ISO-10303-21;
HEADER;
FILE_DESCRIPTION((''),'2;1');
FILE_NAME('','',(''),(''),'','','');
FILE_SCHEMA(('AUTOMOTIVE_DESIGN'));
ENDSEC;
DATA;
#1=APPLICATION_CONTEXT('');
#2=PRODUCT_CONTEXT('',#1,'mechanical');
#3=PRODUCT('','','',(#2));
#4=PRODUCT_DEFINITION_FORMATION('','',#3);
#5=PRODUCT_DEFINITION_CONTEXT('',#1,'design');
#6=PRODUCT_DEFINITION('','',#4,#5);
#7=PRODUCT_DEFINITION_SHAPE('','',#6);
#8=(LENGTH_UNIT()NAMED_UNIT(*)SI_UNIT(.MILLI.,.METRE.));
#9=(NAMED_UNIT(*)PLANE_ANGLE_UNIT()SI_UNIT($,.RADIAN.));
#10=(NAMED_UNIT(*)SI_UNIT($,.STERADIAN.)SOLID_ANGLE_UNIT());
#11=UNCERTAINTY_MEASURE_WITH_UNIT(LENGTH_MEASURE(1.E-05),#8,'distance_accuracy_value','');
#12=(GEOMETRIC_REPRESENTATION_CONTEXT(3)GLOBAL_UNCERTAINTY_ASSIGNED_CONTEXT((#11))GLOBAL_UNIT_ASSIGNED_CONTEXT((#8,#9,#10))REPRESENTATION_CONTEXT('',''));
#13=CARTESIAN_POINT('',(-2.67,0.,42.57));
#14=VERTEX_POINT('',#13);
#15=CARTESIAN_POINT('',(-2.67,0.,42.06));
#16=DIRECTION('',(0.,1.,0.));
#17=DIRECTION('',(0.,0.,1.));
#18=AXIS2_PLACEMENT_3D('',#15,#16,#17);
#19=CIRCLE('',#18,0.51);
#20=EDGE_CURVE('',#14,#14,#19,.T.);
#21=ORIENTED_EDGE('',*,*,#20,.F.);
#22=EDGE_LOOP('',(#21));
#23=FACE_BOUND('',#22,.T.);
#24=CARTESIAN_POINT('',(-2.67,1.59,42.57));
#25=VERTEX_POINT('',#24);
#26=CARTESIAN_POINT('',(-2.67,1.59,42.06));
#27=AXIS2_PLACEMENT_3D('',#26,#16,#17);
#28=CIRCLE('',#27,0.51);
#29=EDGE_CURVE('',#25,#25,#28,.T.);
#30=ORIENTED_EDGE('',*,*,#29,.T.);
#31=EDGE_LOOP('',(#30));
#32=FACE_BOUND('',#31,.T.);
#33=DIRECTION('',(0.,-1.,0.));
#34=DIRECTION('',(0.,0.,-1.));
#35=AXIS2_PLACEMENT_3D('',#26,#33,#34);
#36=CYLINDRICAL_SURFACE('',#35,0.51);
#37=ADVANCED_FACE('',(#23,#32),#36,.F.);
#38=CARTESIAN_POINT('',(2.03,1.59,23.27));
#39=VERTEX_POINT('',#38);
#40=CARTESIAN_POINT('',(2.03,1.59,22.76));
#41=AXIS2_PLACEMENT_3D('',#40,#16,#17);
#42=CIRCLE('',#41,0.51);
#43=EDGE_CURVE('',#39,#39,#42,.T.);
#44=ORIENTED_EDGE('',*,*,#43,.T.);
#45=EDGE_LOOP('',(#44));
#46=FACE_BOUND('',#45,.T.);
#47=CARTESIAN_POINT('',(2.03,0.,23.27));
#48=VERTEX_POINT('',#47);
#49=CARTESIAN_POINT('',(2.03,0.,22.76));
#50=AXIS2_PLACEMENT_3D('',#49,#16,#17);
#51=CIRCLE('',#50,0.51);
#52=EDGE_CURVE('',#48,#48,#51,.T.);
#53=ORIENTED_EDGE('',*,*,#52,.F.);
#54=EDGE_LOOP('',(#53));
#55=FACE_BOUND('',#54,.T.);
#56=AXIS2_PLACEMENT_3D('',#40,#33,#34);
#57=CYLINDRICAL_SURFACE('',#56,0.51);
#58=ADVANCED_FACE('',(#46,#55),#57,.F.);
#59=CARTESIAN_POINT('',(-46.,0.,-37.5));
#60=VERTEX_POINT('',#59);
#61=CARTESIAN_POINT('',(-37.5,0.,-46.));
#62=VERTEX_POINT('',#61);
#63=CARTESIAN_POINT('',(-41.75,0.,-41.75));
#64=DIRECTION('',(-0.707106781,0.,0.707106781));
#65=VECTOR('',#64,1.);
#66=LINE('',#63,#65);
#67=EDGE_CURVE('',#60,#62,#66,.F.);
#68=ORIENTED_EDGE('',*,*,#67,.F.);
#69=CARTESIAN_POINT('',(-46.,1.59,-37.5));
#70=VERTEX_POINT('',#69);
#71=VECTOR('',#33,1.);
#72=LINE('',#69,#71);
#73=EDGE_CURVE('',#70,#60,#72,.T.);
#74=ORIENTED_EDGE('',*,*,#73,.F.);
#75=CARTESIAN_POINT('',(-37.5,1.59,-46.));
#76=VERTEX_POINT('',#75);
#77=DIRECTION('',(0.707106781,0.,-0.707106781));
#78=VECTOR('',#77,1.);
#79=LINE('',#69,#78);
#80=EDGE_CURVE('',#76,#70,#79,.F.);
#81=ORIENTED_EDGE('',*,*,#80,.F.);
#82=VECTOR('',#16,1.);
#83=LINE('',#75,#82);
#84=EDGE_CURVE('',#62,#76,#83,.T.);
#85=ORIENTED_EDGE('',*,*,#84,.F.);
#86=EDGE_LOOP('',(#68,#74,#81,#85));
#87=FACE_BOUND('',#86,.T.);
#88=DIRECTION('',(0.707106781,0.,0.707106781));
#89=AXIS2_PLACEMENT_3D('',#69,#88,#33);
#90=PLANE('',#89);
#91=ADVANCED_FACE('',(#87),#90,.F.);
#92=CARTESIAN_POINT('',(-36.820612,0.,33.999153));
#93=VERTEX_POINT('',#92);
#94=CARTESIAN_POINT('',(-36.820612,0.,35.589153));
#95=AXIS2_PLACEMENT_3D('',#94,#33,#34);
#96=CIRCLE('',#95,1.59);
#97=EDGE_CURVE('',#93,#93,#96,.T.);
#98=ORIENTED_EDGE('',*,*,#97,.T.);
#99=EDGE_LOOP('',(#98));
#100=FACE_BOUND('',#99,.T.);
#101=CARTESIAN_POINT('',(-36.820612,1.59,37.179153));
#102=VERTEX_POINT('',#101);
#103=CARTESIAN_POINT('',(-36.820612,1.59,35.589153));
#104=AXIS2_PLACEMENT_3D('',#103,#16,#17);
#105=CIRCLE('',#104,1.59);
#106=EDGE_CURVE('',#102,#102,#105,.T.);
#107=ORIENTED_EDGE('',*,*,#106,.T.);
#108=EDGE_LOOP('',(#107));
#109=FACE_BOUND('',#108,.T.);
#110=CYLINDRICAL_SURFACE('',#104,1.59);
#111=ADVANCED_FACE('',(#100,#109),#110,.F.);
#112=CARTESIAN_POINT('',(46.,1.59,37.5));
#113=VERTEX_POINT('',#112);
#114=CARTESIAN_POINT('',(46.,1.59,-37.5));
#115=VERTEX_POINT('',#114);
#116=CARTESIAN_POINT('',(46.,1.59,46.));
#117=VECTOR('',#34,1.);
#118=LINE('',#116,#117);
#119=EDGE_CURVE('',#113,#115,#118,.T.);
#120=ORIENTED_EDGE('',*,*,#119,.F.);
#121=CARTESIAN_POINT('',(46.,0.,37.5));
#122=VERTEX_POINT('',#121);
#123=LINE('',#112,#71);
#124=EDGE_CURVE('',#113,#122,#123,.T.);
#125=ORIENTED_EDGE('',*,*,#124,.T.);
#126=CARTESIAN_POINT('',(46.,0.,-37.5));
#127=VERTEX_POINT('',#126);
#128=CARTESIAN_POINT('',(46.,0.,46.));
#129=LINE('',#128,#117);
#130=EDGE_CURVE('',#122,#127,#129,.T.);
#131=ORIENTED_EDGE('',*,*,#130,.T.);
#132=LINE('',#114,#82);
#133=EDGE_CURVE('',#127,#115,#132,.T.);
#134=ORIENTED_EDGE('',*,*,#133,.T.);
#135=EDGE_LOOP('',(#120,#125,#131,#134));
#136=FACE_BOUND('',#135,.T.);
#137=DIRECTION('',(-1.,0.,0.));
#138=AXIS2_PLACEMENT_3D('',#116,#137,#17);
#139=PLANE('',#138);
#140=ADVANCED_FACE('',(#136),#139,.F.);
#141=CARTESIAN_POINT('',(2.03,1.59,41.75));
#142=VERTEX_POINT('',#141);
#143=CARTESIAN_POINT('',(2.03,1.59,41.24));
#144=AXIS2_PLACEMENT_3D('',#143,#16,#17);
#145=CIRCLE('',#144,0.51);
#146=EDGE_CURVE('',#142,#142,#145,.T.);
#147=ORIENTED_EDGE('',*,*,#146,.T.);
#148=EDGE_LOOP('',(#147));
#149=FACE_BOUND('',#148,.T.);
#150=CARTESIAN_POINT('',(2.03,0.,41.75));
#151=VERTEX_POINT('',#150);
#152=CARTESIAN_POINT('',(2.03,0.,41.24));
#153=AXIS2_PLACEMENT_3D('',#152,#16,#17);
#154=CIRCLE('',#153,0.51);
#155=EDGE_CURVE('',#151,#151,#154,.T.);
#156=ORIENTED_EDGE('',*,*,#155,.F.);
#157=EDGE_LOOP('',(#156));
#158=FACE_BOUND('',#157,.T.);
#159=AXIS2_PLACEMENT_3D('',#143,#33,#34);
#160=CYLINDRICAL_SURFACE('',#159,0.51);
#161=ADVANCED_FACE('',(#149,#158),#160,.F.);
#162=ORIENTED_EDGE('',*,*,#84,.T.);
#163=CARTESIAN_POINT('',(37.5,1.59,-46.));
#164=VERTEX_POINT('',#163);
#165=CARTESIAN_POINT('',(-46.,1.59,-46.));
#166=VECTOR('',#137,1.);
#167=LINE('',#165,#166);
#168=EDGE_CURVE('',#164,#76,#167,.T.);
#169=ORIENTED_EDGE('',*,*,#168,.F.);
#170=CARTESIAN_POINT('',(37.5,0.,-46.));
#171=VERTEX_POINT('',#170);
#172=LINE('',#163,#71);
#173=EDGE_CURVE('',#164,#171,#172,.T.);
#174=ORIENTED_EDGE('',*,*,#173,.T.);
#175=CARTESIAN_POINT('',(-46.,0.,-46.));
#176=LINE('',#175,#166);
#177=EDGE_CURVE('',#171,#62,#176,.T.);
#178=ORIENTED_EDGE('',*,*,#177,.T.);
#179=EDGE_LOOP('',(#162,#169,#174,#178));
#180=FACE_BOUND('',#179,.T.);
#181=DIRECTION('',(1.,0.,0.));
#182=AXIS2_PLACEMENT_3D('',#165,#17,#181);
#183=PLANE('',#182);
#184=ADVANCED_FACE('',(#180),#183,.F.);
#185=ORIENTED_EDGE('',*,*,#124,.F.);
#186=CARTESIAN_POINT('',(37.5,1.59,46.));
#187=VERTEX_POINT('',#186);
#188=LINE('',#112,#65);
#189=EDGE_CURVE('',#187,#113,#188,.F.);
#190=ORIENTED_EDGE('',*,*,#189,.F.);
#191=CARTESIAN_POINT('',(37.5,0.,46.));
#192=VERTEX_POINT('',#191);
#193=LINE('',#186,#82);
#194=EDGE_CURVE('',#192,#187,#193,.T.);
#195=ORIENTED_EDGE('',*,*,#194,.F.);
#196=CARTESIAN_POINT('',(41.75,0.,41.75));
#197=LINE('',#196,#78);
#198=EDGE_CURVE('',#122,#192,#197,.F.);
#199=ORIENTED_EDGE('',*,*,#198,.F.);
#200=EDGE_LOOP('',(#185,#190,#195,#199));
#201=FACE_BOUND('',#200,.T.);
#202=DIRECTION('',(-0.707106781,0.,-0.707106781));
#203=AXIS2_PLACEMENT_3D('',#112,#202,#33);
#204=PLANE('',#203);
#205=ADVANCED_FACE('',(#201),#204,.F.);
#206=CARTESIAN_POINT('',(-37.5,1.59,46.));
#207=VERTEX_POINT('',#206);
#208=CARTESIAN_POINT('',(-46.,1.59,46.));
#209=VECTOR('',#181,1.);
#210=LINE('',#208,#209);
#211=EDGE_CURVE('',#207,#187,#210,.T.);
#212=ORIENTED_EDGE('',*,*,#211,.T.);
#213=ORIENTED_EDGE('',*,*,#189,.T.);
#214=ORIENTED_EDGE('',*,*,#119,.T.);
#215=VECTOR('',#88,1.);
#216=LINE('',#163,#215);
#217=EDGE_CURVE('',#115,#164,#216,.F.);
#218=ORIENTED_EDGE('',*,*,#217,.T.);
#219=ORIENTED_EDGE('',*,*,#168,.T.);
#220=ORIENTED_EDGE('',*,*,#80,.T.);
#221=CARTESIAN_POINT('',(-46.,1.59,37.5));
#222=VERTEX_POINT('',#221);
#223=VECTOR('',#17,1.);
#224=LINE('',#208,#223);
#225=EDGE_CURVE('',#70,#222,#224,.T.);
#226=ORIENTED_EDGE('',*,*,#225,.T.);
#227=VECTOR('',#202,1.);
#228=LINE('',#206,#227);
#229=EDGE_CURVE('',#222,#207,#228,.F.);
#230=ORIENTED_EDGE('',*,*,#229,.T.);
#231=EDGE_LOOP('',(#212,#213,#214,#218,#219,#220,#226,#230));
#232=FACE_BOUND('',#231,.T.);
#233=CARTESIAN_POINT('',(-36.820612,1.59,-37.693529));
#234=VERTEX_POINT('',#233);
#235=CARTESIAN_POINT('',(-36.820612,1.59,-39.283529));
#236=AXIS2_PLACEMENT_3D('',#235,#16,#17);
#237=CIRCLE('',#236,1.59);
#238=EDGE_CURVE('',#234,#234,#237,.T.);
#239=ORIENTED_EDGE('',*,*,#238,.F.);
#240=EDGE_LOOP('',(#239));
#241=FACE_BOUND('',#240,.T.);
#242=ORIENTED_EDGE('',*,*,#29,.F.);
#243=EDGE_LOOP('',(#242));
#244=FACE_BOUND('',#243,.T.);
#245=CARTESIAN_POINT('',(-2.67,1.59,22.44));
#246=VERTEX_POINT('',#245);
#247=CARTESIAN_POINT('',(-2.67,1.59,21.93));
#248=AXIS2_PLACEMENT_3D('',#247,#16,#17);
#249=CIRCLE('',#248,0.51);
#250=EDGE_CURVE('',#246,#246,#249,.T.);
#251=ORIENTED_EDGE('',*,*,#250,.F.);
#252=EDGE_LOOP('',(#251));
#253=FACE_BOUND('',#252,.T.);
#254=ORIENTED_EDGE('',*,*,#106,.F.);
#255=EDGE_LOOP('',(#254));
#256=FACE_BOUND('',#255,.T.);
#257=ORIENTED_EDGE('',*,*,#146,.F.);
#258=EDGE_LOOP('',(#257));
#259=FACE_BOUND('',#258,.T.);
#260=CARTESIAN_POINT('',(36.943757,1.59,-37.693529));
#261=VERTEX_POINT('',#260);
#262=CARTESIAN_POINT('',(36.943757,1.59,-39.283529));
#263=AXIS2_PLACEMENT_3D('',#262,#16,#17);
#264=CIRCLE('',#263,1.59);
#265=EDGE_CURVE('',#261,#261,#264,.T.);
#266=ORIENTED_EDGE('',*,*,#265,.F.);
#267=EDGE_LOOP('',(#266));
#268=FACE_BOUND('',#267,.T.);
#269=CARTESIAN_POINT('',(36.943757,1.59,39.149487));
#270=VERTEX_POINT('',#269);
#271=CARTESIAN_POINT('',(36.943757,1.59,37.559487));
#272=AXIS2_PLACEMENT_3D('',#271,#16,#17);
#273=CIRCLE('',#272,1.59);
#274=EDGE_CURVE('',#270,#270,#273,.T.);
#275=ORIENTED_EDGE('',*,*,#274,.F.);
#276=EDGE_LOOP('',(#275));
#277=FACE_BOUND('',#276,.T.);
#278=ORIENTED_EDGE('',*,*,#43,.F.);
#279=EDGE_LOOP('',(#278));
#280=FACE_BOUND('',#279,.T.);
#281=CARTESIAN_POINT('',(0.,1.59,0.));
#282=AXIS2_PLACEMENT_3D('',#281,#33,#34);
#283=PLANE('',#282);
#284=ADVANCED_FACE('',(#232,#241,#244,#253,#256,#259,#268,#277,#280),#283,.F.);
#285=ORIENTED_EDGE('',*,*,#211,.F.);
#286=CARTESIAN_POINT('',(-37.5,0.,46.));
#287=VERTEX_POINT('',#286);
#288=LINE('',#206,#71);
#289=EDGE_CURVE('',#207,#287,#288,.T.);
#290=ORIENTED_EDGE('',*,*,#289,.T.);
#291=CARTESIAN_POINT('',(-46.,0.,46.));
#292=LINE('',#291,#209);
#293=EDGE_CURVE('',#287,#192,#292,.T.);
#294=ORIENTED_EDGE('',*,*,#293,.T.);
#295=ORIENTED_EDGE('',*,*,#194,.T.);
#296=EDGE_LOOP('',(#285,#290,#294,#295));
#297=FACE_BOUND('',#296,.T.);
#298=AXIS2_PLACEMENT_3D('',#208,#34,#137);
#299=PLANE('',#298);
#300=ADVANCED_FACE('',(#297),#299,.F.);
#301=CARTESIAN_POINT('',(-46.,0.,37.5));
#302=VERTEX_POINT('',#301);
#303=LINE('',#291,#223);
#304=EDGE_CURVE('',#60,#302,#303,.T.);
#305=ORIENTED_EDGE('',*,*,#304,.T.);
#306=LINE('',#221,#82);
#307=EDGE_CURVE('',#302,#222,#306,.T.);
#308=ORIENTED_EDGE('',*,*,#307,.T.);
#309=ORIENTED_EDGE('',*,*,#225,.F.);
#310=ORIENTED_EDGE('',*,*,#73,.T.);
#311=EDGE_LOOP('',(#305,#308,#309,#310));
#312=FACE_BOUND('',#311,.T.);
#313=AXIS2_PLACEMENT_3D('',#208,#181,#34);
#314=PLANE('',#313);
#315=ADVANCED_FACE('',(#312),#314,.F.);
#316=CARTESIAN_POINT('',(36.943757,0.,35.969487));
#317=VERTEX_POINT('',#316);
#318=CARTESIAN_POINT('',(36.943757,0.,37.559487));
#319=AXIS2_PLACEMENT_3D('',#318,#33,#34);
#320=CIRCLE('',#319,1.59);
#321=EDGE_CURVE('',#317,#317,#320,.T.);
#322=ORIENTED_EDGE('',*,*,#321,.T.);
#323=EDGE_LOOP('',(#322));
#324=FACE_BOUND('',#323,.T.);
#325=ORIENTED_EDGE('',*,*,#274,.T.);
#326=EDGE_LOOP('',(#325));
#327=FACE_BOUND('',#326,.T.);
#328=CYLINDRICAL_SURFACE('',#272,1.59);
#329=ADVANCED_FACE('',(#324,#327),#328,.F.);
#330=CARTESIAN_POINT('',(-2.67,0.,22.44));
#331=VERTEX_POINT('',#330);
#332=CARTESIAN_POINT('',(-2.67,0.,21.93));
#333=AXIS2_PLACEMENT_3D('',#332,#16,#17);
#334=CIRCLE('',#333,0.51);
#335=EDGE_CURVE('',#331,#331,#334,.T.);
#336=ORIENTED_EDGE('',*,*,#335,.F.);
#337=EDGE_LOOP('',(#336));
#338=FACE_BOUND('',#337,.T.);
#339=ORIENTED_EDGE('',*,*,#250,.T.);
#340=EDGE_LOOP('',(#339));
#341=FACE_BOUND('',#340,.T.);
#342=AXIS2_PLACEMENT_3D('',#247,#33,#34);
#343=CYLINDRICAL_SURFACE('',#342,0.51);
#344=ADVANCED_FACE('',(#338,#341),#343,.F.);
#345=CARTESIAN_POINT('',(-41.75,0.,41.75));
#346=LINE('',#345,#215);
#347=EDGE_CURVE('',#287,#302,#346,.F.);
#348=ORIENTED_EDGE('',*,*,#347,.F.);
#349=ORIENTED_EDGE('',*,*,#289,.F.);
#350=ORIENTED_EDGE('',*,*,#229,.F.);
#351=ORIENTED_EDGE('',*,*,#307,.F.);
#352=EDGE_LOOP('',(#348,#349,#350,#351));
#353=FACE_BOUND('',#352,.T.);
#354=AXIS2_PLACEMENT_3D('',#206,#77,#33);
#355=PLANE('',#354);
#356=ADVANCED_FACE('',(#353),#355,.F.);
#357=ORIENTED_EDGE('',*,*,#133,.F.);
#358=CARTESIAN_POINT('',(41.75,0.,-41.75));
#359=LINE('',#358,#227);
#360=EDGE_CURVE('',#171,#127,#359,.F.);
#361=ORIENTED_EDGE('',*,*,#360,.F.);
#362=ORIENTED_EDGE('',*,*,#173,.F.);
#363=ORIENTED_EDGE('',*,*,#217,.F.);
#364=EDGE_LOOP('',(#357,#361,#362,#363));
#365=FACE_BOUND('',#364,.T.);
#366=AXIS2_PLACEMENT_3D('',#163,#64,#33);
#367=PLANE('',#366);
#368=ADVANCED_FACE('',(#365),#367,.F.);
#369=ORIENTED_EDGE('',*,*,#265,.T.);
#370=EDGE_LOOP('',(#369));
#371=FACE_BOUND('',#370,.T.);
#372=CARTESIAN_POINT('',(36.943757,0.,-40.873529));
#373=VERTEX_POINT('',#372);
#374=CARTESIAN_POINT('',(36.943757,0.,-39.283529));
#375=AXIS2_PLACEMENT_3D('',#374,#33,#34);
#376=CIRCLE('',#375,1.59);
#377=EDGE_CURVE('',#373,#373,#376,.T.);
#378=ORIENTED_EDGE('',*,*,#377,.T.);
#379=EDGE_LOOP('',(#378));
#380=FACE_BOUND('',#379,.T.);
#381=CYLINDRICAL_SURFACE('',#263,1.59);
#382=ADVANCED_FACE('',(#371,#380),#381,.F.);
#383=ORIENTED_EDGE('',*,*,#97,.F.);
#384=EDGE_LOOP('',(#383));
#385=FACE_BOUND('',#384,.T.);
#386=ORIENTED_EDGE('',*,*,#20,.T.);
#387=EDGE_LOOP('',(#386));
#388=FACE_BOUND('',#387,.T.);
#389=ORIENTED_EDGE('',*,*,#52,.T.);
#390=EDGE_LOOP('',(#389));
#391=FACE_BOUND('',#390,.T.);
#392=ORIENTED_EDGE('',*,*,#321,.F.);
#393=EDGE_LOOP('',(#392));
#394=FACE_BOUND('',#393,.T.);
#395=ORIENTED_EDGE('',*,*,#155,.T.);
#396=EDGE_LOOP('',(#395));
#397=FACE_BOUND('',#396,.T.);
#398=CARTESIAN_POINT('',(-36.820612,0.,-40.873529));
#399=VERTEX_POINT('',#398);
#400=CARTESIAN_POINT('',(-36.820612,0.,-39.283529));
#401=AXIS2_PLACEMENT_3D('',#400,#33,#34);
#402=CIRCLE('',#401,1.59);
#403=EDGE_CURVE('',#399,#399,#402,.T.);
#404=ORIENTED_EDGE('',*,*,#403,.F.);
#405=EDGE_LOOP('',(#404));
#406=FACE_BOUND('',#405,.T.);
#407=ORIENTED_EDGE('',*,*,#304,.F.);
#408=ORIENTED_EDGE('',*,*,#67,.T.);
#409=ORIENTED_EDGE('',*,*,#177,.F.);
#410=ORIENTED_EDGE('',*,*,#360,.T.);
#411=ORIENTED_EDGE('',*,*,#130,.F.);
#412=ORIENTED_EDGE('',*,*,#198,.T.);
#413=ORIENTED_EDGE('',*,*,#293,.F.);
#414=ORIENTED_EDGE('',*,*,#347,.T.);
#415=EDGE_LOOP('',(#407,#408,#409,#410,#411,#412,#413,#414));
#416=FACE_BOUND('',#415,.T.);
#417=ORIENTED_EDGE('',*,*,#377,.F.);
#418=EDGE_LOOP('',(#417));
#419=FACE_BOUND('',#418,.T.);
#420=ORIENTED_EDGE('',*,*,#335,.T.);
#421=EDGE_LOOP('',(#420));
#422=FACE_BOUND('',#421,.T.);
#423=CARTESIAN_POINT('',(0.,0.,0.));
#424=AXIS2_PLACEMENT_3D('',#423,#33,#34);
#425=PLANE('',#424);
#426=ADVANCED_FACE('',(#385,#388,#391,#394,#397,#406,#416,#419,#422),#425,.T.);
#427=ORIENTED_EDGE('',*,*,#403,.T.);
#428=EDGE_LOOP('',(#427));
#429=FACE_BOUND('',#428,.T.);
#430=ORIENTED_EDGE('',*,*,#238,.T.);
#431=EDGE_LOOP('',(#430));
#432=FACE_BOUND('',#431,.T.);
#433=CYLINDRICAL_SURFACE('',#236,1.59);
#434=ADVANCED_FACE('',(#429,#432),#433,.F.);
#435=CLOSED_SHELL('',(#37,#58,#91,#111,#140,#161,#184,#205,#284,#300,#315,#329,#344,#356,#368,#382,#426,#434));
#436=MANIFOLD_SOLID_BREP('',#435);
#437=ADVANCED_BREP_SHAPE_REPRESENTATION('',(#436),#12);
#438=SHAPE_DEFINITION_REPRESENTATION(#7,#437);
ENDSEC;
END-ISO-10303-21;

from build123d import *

# Parameters (mm, degrees)
SKETCH1_W             = 92
SKETCH1_H             = 92
SKETCH1_R             = 0.51
BOSS_EXTRUDE1_DEPTH   = 1.59
CHAMFER1_SIZE         = 8.5
F_1_0MM_DOWEL_HOLE1_D = 3.18


with BuildPart() as part:
    # Sketch1 → Boss-Extrude1 (new body)
    with BuildSketch(Plane(origin=(0, 0, 0), x_dir=(1, 0, 0), z_dir=(0, 1, 0))):
        Rectangle(SKETCH1_W, SKETCH1_H)
        with Locations(Location((-2.67, -21.93, 0), (0, 0, 270))):
            Circle(SKETCH1_R, mode=Mode.SUBTRACT)
        with Locations(Location((2.03, -22.76, 0), (0, 0, 270))):
            Circle(SKETCH1_R, mode=Mode.SUBTRACT)
        with Locations(Location((-2.67, -42.06, 0), (0, 0, 270))):
            Circle(SKETCH1_R, mode=Mode.SUBTRACT)
        with Locations(Location((2.03, -41.24, 0), (0, 0, 270))):
            Circle(SKETCH1_R, mode=Mode.SUBTRACT)
    extrude(amount=BOSS_EXTRUDE1_DEPTH)

    # Chamfer1
    chamfer1_edges = [part.edges().sort_by_distance(p)[0] for p in [
        (46, 0.795, 46),
        (-46, 0.795, 46),
        (-46, 0.795, -46),
        (46, 0.795, -46),
    ]]
    chamfer(chamfer1_edges, length=CHAMFER1_SIZE)

    # Ø1.0mm Dowel Hole1 (through all)
    with Locations(Plane(origin=(0, 1.59, 0), x_dir=(1, 0, 0), z_dir=(0, 1, 0))):
        with Locations((-36.820611538, -35.589152958), (36.943757396, -37.559486686), (36.943757396, 39.283528698), (-36.820611538, 39.283528698)):
            Hole(F_1_0MM_DOWEL_HOLE1_D / 2)


solid = part.part
